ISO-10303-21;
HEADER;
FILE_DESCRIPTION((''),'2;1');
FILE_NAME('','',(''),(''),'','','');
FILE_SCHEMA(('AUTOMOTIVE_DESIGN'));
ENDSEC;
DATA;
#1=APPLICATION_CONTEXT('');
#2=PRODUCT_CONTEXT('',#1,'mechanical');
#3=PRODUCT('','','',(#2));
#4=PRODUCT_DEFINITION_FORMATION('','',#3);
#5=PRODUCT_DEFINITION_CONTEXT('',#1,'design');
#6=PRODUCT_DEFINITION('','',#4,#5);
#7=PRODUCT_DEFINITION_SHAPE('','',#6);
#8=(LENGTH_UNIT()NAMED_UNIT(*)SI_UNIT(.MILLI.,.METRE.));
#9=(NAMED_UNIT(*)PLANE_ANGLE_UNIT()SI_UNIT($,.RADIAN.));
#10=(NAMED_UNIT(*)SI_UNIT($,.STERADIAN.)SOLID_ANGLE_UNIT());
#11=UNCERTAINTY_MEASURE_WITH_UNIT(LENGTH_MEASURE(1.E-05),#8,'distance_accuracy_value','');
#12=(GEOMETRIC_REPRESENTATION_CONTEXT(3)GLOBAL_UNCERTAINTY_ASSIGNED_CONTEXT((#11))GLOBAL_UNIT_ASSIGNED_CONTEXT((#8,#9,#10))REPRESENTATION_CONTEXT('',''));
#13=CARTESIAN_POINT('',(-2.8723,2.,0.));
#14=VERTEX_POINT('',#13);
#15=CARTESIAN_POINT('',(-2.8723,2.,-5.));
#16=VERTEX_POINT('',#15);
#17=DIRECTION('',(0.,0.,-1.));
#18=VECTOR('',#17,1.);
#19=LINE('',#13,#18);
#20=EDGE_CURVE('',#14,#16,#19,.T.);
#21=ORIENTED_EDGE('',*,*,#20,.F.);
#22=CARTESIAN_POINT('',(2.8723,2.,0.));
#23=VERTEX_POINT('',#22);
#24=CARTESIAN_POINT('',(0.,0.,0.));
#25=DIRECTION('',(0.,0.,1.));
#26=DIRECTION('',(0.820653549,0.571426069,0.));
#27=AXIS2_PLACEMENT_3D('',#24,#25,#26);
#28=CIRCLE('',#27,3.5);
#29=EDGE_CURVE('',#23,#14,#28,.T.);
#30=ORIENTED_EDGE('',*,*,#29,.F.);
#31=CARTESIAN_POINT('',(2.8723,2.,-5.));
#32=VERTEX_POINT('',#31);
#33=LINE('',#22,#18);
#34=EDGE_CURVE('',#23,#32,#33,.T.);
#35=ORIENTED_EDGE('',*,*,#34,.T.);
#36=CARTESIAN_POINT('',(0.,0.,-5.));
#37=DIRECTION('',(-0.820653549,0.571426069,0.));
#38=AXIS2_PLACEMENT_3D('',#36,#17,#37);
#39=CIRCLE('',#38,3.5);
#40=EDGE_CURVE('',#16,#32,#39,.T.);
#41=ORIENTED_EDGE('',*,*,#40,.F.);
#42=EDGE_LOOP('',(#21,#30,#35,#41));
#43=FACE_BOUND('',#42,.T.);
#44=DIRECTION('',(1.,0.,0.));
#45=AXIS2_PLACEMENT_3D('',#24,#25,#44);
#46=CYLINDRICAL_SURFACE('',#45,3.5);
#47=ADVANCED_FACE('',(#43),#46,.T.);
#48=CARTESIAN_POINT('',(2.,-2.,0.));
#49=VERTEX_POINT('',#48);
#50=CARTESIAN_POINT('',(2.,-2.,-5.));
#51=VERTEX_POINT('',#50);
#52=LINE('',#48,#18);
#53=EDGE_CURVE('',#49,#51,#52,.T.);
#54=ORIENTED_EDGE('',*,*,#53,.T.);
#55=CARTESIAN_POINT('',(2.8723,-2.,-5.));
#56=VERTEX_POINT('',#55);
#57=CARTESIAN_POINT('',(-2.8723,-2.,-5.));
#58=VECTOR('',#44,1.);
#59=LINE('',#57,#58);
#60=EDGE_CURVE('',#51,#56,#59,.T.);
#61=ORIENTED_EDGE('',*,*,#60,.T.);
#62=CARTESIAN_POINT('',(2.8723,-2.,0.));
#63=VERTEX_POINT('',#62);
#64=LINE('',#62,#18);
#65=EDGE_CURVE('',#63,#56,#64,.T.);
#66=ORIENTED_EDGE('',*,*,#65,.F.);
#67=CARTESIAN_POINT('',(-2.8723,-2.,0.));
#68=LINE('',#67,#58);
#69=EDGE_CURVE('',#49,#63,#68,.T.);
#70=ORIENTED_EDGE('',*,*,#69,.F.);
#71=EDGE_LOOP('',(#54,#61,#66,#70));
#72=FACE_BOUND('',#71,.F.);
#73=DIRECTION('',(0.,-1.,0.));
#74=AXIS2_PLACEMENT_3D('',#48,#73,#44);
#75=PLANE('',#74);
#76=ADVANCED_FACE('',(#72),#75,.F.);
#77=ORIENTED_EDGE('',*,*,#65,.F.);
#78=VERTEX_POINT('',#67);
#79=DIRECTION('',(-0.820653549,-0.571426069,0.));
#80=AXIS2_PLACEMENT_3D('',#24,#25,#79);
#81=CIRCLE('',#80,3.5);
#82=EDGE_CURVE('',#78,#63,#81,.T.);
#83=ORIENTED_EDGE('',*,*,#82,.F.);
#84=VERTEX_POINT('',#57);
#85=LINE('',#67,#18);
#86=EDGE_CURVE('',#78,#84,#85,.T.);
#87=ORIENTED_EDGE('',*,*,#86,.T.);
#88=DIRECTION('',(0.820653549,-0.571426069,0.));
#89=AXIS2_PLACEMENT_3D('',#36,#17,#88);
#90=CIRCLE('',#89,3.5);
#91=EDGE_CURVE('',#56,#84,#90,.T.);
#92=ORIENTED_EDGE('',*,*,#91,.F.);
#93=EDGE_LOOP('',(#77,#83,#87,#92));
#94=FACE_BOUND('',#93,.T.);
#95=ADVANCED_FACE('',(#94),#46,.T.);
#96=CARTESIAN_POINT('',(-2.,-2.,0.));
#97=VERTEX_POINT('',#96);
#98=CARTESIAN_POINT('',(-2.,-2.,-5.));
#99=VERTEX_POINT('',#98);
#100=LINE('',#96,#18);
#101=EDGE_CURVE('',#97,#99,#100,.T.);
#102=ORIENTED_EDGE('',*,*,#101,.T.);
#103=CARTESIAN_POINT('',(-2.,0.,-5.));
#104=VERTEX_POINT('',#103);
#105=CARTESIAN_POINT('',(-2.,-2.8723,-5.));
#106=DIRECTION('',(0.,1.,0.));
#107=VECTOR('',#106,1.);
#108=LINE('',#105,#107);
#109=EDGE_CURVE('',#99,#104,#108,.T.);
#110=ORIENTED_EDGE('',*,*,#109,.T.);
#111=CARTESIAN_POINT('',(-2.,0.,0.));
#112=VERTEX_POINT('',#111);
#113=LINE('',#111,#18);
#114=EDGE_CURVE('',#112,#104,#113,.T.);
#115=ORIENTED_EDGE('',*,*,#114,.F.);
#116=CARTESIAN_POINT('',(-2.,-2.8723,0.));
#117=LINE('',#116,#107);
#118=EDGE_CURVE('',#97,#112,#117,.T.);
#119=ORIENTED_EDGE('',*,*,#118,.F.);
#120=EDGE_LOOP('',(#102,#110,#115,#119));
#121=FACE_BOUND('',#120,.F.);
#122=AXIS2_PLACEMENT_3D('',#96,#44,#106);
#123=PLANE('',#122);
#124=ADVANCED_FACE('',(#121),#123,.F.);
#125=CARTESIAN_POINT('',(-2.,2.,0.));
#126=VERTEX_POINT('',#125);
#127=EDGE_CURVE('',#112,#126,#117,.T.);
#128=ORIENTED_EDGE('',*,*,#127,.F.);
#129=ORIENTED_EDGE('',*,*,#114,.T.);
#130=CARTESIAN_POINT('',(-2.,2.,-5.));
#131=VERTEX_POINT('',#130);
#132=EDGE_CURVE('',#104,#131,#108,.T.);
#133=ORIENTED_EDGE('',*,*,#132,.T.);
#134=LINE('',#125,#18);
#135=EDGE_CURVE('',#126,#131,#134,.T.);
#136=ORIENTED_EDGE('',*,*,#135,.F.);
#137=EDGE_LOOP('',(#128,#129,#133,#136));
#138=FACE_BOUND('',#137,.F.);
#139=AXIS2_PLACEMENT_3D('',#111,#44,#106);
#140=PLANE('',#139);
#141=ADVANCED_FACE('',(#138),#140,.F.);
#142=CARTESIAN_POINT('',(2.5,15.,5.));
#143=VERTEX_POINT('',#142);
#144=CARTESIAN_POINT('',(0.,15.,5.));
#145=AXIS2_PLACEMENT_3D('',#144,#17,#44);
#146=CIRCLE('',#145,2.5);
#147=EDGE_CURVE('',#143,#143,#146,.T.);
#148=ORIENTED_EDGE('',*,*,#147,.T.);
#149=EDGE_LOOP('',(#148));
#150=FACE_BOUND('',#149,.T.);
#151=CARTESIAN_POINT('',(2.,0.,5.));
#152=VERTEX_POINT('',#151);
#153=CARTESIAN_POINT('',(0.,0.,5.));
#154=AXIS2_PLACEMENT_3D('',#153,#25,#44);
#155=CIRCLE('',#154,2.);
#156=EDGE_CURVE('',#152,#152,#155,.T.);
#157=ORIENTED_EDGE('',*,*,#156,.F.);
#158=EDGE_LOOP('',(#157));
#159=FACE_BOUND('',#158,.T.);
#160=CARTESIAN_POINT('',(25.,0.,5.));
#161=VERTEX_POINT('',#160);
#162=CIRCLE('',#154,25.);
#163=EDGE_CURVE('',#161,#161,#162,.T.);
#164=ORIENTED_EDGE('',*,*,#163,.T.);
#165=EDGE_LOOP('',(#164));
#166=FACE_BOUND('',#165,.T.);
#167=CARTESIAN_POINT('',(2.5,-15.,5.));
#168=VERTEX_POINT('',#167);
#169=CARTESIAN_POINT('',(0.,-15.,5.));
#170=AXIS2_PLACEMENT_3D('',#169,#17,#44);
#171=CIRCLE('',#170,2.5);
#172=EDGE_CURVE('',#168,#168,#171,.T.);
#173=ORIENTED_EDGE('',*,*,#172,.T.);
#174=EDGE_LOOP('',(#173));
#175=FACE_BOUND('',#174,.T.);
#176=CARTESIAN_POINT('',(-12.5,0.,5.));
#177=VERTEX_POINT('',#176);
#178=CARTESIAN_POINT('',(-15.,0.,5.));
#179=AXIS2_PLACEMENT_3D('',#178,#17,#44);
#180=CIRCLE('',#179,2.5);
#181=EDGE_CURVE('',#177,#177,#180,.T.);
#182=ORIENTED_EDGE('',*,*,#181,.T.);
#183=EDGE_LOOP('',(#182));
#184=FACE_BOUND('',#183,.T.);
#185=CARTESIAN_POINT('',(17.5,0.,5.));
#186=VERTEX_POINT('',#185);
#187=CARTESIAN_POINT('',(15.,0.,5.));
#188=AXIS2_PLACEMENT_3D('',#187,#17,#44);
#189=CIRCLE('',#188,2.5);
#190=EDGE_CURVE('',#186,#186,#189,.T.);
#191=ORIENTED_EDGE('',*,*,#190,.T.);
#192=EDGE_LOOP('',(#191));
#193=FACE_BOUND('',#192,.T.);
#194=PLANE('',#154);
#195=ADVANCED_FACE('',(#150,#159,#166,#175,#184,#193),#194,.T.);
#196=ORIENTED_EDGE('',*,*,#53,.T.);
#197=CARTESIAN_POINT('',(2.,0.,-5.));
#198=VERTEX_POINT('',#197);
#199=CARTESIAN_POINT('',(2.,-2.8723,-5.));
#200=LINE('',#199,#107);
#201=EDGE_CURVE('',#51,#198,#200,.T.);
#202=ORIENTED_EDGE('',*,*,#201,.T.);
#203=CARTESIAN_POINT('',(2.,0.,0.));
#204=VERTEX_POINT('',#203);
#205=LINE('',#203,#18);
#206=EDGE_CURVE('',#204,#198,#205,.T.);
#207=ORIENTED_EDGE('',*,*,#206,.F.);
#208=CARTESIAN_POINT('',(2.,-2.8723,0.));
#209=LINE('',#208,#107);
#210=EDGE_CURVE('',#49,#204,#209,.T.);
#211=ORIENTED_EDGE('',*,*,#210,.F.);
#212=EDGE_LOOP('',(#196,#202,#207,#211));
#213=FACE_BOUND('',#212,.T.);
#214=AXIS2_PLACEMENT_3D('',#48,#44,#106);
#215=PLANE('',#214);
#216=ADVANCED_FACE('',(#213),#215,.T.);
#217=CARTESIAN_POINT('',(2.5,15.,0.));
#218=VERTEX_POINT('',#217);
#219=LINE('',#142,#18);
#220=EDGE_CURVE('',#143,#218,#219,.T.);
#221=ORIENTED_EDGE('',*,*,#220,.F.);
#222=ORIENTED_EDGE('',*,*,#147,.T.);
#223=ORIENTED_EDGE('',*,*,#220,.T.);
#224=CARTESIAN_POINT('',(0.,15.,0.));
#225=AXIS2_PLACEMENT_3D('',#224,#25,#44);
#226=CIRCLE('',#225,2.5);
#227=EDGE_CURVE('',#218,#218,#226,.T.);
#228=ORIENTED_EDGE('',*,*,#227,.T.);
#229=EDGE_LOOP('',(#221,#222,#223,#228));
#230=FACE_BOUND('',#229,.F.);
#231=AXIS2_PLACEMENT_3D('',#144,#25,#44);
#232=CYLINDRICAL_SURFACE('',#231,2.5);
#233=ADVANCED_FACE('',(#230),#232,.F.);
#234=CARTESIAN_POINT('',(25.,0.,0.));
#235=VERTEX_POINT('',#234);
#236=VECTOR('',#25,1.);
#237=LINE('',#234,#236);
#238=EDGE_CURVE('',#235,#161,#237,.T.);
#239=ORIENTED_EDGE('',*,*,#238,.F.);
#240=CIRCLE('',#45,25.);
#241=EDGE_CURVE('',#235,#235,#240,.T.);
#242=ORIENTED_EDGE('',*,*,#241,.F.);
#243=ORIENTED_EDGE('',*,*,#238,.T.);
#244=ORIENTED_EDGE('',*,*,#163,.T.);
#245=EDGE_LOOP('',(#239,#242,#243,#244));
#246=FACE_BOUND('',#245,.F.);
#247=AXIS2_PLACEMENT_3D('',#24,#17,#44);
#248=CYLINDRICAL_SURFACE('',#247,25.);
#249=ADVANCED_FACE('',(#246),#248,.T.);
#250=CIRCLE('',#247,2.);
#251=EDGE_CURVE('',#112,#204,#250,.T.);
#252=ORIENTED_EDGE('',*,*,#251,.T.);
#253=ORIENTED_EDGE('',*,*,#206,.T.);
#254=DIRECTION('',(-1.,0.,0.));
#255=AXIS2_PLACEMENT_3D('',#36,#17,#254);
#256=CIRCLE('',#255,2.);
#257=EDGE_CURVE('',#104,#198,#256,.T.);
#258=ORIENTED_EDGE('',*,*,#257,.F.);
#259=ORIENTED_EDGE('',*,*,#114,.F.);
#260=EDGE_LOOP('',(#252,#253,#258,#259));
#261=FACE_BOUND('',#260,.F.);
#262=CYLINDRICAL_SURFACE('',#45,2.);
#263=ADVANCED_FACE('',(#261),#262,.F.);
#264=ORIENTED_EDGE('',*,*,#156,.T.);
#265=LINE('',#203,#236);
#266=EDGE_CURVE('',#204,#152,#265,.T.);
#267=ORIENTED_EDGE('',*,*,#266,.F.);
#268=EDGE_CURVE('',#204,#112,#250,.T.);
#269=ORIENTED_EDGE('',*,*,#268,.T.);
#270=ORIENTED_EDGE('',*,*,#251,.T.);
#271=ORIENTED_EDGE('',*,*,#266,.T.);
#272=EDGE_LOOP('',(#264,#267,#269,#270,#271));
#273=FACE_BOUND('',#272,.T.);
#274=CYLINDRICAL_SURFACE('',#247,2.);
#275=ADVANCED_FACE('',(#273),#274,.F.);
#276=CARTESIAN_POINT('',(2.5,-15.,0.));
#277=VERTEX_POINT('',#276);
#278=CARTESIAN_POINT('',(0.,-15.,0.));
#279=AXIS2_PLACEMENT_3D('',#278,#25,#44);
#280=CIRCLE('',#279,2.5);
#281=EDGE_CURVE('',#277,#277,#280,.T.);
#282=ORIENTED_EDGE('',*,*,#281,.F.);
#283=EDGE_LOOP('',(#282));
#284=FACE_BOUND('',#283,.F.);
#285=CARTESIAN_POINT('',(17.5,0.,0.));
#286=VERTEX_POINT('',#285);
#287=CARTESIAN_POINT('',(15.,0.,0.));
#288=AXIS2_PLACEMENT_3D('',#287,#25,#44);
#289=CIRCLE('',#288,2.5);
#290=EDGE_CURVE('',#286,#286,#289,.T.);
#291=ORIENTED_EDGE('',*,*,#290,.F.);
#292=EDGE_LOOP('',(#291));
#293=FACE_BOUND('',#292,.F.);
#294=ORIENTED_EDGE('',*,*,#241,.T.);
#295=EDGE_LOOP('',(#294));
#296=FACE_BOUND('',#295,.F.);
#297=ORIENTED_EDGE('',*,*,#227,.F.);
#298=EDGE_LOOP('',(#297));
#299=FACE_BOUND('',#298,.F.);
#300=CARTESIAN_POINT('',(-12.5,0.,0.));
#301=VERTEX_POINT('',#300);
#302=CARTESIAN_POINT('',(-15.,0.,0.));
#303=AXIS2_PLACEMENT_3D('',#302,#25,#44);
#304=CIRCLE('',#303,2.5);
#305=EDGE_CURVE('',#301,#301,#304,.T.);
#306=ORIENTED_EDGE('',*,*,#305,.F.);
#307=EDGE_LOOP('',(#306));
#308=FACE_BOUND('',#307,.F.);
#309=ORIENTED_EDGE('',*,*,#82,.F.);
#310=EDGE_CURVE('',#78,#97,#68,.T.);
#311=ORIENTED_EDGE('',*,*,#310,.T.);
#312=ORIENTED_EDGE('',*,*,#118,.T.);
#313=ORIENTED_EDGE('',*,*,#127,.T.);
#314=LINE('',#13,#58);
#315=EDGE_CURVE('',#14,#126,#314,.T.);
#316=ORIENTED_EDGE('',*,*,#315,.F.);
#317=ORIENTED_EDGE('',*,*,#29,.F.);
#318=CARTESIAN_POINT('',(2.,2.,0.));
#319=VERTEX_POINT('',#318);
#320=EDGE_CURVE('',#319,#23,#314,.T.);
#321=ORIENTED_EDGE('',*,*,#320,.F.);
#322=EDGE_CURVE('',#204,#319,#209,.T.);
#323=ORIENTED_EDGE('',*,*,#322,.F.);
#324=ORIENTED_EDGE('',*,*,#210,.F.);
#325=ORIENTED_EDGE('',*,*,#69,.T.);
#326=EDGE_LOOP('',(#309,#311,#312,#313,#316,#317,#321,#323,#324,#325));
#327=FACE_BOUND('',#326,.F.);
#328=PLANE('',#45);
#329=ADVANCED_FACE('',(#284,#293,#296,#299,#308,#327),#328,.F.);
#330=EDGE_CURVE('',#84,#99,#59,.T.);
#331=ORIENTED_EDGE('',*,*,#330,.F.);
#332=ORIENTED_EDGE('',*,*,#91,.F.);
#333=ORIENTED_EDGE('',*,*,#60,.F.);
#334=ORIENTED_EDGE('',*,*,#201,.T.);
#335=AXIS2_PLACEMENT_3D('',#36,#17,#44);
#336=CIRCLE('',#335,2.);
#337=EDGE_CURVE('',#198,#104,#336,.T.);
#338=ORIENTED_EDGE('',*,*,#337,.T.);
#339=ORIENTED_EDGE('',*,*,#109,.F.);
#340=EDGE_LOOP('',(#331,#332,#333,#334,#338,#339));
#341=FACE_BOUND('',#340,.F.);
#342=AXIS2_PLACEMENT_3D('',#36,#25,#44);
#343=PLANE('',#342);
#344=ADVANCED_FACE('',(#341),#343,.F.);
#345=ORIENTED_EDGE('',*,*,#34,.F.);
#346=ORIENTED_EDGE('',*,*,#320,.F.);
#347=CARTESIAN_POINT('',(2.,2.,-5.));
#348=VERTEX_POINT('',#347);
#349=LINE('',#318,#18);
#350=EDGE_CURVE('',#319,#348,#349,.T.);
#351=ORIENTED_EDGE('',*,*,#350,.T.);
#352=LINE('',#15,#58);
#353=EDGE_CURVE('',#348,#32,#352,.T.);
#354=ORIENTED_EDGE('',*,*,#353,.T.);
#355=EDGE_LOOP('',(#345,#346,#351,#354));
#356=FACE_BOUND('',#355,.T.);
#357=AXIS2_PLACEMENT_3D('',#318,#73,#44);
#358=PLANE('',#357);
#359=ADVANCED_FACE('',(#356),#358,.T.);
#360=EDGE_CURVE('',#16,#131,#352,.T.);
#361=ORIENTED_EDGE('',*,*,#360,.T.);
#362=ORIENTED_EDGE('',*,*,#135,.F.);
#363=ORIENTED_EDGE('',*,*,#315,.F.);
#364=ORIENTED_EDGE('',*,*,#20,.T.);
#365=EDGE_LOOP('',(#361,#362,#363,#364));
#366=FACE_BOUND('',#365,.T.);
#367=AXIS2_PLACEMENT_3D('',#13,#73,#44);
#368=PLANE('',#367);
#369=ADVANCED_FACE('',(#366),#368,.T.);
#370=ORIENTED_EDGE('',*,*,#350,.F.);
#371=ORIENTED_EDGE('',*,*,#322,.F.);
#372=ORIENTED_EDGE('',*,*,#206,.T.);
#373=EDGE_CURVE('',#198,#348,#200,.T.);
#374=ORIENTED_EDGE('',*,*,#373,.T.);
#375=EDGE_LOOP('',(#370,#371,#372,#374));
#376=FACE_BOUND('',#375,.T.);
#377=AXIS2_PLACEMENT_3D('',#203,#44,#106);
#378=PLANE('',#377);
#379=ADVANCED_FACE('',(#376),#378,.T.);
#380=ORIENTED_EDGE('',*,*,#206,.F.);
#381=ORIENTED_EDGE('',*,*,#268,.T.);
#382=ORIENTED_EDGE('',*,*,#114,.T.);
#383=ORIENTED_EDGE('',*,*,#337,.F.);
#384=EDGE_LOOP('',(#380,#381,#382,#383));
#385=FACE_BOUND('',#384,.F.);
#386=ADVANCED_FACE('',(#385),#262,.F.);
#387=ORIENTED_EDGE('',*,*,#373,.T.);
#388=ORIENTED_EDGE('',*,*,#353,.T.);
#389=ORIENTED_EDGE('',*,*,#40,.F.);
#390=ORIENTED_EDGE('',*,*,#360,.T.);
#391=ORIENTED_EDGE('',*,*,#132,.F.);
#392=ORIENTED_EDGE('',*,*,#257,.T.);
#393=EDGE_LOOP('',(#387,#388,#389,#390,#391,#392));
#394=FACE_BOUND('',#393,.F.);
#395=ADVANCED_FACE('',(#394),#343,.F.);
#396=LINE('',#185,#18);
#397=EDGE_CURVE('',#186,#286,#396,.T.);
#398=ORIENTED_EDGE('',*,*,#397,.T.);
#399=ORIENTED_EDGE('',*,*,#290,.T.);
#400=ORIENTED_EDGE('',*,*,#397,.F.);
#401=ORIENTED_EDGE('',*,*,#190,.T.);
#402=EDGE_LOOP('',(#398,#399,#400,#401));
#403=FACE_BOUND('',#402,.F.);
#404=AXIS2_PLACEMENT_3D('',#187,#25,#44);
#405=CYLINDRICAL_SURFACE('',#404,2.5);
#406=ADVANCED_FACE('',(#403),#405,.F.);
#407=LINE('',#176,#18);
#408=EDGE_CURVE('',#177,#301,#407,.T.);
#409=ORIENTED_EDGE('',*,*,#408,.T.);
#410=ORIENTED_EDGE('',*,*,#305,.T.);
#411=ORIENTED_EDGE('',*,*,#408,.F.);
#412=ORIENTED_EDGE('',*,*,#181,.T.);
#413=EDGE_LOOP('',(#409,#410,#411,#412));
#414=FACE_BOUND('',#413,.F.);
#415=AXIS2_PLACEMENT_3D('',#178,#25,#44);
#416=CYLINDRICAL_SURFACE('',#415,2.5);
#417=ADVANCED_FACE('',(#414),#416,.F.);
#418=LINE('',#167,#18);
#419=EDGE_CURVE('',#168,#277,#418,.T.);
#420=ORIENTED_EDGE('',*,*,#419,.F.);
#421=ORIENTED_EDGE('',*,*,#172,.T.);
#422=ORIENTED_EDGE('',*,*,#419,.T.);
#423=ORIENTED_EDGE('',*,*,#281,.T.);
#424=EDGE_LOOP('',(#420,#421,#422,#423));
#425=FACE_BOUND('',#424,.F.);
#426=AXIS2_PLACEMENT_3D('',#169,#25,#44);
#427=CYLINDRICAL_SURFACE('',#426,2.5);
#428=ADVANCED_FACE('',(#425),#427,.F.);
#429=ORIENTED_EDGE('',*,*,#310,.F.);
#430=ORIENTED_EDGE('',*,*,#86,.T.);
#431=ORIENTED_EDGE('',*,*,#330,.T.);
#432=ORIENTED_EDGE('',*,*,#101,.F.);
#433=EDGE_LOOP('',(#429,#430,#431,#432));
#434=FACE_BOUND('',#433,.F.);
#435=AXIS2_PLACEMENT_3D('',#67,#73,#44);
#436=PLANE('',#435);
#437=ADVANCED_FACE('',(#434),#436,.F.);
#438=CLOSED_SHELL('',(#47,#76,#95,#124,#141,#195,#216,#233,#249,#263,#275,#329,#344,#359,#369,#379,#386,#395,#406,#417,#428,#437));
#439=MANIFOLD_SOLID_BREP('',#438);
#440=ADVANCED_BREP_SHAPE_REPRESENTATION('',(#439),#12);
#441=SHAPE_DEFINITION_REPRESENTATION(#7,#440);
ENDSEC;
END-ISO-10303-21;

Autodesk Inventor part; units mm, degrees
ref_plane "YZ Plane" through (0, 0, 0) normal (1, 0, 0) x (0, 1, 0)
ref_plane "XZ Plane" through (0, 0, 0) normal (0, 1, 0) x (-1, 0, 0)
ref_plane "XY Plane" through (0, 0, 0) normal (0, 0, 1) x (1, 0, 0)
sketch "Sketch1" plane through (0, 0, 0) normal (0, 0, 1) x (1, 0, 0)
  circle A0 centre (0, 0) radius 2
  circle A1 centre (0, 0) radius 25
  circle A2 centre (0, 0) radius 3.5
  line L0 (-2, -2.8723) -> (-2, 2.8723)
  line L1 (-2.8723, 2) -> (2.8723, 2)
  line L2 (-2.8723, -2) -> (2.8723, -2)
  line L3 (2, -2.8723) -> (2, 2.8723)
  point P0 (2, -2)
  point P1 (2, 0)
  point P2 (-2, 0)
  point P3 (-2, -2)
  point P4 (2, 2)
  point P5 (-2, 2)
  dimension "d4" = 7
  dimension "d0" = 4
  dimension "d1" = 50
extrude "Extrusion1" add sketch "Sketch1" along normal blind 5 contours L3 L2 A0 | L3 L1 A2 L2 | A0 L1 L3 | A0 L0 L1 | L1 L0 A2 L3 | L2 L0 A0 | L2 L3 A2 L0 | L2 A2 L3 | L3 A2 L1 | L0 L2 A2 L1 | L1 A2 L0 | L0 A2 L2 | A1
extrude "Extrusion2" add sketch "Sketch1" against normal blind 5 contours L3 L2 A0 | A0 L1 L3 | A0 L0 L1 | L1 L0 A2 L3 | L2 L0 A0 | L2 L3 A2 L0 | L2 A2 L3 | L3 A2 L1 | L1 A2 L0 | L0 A2 L2
sketch "Sketch2" plane through (0, 0, 5) normal (0, 0, 1) x (1, 0, 0)
  circle A0 centre (0, 0) radius 2 projected
  circle A1 centre (0, 0) radius 15
  circle A2 centre (-15, 0) radius 2.5
  circle A3 centre (0, 15) radius 2.5
  circle A4 centre (15, 0) radius 2.5
  circle A5 centre (0, -15) radius 2.5
  dimension "d7" = 30
  dimension "d8" = 5
  dimension "d9" = 5
  dimension "d10" = 5
  dimension "d11" = 5
extrude "Extrusion3" cut sketch "Sketch2" against normal through all contours A1 A4 | A1 A4 | A3 A1 | A1 A3 | A5 A1 | A1 A5 | A2 A1 | A1 A2
